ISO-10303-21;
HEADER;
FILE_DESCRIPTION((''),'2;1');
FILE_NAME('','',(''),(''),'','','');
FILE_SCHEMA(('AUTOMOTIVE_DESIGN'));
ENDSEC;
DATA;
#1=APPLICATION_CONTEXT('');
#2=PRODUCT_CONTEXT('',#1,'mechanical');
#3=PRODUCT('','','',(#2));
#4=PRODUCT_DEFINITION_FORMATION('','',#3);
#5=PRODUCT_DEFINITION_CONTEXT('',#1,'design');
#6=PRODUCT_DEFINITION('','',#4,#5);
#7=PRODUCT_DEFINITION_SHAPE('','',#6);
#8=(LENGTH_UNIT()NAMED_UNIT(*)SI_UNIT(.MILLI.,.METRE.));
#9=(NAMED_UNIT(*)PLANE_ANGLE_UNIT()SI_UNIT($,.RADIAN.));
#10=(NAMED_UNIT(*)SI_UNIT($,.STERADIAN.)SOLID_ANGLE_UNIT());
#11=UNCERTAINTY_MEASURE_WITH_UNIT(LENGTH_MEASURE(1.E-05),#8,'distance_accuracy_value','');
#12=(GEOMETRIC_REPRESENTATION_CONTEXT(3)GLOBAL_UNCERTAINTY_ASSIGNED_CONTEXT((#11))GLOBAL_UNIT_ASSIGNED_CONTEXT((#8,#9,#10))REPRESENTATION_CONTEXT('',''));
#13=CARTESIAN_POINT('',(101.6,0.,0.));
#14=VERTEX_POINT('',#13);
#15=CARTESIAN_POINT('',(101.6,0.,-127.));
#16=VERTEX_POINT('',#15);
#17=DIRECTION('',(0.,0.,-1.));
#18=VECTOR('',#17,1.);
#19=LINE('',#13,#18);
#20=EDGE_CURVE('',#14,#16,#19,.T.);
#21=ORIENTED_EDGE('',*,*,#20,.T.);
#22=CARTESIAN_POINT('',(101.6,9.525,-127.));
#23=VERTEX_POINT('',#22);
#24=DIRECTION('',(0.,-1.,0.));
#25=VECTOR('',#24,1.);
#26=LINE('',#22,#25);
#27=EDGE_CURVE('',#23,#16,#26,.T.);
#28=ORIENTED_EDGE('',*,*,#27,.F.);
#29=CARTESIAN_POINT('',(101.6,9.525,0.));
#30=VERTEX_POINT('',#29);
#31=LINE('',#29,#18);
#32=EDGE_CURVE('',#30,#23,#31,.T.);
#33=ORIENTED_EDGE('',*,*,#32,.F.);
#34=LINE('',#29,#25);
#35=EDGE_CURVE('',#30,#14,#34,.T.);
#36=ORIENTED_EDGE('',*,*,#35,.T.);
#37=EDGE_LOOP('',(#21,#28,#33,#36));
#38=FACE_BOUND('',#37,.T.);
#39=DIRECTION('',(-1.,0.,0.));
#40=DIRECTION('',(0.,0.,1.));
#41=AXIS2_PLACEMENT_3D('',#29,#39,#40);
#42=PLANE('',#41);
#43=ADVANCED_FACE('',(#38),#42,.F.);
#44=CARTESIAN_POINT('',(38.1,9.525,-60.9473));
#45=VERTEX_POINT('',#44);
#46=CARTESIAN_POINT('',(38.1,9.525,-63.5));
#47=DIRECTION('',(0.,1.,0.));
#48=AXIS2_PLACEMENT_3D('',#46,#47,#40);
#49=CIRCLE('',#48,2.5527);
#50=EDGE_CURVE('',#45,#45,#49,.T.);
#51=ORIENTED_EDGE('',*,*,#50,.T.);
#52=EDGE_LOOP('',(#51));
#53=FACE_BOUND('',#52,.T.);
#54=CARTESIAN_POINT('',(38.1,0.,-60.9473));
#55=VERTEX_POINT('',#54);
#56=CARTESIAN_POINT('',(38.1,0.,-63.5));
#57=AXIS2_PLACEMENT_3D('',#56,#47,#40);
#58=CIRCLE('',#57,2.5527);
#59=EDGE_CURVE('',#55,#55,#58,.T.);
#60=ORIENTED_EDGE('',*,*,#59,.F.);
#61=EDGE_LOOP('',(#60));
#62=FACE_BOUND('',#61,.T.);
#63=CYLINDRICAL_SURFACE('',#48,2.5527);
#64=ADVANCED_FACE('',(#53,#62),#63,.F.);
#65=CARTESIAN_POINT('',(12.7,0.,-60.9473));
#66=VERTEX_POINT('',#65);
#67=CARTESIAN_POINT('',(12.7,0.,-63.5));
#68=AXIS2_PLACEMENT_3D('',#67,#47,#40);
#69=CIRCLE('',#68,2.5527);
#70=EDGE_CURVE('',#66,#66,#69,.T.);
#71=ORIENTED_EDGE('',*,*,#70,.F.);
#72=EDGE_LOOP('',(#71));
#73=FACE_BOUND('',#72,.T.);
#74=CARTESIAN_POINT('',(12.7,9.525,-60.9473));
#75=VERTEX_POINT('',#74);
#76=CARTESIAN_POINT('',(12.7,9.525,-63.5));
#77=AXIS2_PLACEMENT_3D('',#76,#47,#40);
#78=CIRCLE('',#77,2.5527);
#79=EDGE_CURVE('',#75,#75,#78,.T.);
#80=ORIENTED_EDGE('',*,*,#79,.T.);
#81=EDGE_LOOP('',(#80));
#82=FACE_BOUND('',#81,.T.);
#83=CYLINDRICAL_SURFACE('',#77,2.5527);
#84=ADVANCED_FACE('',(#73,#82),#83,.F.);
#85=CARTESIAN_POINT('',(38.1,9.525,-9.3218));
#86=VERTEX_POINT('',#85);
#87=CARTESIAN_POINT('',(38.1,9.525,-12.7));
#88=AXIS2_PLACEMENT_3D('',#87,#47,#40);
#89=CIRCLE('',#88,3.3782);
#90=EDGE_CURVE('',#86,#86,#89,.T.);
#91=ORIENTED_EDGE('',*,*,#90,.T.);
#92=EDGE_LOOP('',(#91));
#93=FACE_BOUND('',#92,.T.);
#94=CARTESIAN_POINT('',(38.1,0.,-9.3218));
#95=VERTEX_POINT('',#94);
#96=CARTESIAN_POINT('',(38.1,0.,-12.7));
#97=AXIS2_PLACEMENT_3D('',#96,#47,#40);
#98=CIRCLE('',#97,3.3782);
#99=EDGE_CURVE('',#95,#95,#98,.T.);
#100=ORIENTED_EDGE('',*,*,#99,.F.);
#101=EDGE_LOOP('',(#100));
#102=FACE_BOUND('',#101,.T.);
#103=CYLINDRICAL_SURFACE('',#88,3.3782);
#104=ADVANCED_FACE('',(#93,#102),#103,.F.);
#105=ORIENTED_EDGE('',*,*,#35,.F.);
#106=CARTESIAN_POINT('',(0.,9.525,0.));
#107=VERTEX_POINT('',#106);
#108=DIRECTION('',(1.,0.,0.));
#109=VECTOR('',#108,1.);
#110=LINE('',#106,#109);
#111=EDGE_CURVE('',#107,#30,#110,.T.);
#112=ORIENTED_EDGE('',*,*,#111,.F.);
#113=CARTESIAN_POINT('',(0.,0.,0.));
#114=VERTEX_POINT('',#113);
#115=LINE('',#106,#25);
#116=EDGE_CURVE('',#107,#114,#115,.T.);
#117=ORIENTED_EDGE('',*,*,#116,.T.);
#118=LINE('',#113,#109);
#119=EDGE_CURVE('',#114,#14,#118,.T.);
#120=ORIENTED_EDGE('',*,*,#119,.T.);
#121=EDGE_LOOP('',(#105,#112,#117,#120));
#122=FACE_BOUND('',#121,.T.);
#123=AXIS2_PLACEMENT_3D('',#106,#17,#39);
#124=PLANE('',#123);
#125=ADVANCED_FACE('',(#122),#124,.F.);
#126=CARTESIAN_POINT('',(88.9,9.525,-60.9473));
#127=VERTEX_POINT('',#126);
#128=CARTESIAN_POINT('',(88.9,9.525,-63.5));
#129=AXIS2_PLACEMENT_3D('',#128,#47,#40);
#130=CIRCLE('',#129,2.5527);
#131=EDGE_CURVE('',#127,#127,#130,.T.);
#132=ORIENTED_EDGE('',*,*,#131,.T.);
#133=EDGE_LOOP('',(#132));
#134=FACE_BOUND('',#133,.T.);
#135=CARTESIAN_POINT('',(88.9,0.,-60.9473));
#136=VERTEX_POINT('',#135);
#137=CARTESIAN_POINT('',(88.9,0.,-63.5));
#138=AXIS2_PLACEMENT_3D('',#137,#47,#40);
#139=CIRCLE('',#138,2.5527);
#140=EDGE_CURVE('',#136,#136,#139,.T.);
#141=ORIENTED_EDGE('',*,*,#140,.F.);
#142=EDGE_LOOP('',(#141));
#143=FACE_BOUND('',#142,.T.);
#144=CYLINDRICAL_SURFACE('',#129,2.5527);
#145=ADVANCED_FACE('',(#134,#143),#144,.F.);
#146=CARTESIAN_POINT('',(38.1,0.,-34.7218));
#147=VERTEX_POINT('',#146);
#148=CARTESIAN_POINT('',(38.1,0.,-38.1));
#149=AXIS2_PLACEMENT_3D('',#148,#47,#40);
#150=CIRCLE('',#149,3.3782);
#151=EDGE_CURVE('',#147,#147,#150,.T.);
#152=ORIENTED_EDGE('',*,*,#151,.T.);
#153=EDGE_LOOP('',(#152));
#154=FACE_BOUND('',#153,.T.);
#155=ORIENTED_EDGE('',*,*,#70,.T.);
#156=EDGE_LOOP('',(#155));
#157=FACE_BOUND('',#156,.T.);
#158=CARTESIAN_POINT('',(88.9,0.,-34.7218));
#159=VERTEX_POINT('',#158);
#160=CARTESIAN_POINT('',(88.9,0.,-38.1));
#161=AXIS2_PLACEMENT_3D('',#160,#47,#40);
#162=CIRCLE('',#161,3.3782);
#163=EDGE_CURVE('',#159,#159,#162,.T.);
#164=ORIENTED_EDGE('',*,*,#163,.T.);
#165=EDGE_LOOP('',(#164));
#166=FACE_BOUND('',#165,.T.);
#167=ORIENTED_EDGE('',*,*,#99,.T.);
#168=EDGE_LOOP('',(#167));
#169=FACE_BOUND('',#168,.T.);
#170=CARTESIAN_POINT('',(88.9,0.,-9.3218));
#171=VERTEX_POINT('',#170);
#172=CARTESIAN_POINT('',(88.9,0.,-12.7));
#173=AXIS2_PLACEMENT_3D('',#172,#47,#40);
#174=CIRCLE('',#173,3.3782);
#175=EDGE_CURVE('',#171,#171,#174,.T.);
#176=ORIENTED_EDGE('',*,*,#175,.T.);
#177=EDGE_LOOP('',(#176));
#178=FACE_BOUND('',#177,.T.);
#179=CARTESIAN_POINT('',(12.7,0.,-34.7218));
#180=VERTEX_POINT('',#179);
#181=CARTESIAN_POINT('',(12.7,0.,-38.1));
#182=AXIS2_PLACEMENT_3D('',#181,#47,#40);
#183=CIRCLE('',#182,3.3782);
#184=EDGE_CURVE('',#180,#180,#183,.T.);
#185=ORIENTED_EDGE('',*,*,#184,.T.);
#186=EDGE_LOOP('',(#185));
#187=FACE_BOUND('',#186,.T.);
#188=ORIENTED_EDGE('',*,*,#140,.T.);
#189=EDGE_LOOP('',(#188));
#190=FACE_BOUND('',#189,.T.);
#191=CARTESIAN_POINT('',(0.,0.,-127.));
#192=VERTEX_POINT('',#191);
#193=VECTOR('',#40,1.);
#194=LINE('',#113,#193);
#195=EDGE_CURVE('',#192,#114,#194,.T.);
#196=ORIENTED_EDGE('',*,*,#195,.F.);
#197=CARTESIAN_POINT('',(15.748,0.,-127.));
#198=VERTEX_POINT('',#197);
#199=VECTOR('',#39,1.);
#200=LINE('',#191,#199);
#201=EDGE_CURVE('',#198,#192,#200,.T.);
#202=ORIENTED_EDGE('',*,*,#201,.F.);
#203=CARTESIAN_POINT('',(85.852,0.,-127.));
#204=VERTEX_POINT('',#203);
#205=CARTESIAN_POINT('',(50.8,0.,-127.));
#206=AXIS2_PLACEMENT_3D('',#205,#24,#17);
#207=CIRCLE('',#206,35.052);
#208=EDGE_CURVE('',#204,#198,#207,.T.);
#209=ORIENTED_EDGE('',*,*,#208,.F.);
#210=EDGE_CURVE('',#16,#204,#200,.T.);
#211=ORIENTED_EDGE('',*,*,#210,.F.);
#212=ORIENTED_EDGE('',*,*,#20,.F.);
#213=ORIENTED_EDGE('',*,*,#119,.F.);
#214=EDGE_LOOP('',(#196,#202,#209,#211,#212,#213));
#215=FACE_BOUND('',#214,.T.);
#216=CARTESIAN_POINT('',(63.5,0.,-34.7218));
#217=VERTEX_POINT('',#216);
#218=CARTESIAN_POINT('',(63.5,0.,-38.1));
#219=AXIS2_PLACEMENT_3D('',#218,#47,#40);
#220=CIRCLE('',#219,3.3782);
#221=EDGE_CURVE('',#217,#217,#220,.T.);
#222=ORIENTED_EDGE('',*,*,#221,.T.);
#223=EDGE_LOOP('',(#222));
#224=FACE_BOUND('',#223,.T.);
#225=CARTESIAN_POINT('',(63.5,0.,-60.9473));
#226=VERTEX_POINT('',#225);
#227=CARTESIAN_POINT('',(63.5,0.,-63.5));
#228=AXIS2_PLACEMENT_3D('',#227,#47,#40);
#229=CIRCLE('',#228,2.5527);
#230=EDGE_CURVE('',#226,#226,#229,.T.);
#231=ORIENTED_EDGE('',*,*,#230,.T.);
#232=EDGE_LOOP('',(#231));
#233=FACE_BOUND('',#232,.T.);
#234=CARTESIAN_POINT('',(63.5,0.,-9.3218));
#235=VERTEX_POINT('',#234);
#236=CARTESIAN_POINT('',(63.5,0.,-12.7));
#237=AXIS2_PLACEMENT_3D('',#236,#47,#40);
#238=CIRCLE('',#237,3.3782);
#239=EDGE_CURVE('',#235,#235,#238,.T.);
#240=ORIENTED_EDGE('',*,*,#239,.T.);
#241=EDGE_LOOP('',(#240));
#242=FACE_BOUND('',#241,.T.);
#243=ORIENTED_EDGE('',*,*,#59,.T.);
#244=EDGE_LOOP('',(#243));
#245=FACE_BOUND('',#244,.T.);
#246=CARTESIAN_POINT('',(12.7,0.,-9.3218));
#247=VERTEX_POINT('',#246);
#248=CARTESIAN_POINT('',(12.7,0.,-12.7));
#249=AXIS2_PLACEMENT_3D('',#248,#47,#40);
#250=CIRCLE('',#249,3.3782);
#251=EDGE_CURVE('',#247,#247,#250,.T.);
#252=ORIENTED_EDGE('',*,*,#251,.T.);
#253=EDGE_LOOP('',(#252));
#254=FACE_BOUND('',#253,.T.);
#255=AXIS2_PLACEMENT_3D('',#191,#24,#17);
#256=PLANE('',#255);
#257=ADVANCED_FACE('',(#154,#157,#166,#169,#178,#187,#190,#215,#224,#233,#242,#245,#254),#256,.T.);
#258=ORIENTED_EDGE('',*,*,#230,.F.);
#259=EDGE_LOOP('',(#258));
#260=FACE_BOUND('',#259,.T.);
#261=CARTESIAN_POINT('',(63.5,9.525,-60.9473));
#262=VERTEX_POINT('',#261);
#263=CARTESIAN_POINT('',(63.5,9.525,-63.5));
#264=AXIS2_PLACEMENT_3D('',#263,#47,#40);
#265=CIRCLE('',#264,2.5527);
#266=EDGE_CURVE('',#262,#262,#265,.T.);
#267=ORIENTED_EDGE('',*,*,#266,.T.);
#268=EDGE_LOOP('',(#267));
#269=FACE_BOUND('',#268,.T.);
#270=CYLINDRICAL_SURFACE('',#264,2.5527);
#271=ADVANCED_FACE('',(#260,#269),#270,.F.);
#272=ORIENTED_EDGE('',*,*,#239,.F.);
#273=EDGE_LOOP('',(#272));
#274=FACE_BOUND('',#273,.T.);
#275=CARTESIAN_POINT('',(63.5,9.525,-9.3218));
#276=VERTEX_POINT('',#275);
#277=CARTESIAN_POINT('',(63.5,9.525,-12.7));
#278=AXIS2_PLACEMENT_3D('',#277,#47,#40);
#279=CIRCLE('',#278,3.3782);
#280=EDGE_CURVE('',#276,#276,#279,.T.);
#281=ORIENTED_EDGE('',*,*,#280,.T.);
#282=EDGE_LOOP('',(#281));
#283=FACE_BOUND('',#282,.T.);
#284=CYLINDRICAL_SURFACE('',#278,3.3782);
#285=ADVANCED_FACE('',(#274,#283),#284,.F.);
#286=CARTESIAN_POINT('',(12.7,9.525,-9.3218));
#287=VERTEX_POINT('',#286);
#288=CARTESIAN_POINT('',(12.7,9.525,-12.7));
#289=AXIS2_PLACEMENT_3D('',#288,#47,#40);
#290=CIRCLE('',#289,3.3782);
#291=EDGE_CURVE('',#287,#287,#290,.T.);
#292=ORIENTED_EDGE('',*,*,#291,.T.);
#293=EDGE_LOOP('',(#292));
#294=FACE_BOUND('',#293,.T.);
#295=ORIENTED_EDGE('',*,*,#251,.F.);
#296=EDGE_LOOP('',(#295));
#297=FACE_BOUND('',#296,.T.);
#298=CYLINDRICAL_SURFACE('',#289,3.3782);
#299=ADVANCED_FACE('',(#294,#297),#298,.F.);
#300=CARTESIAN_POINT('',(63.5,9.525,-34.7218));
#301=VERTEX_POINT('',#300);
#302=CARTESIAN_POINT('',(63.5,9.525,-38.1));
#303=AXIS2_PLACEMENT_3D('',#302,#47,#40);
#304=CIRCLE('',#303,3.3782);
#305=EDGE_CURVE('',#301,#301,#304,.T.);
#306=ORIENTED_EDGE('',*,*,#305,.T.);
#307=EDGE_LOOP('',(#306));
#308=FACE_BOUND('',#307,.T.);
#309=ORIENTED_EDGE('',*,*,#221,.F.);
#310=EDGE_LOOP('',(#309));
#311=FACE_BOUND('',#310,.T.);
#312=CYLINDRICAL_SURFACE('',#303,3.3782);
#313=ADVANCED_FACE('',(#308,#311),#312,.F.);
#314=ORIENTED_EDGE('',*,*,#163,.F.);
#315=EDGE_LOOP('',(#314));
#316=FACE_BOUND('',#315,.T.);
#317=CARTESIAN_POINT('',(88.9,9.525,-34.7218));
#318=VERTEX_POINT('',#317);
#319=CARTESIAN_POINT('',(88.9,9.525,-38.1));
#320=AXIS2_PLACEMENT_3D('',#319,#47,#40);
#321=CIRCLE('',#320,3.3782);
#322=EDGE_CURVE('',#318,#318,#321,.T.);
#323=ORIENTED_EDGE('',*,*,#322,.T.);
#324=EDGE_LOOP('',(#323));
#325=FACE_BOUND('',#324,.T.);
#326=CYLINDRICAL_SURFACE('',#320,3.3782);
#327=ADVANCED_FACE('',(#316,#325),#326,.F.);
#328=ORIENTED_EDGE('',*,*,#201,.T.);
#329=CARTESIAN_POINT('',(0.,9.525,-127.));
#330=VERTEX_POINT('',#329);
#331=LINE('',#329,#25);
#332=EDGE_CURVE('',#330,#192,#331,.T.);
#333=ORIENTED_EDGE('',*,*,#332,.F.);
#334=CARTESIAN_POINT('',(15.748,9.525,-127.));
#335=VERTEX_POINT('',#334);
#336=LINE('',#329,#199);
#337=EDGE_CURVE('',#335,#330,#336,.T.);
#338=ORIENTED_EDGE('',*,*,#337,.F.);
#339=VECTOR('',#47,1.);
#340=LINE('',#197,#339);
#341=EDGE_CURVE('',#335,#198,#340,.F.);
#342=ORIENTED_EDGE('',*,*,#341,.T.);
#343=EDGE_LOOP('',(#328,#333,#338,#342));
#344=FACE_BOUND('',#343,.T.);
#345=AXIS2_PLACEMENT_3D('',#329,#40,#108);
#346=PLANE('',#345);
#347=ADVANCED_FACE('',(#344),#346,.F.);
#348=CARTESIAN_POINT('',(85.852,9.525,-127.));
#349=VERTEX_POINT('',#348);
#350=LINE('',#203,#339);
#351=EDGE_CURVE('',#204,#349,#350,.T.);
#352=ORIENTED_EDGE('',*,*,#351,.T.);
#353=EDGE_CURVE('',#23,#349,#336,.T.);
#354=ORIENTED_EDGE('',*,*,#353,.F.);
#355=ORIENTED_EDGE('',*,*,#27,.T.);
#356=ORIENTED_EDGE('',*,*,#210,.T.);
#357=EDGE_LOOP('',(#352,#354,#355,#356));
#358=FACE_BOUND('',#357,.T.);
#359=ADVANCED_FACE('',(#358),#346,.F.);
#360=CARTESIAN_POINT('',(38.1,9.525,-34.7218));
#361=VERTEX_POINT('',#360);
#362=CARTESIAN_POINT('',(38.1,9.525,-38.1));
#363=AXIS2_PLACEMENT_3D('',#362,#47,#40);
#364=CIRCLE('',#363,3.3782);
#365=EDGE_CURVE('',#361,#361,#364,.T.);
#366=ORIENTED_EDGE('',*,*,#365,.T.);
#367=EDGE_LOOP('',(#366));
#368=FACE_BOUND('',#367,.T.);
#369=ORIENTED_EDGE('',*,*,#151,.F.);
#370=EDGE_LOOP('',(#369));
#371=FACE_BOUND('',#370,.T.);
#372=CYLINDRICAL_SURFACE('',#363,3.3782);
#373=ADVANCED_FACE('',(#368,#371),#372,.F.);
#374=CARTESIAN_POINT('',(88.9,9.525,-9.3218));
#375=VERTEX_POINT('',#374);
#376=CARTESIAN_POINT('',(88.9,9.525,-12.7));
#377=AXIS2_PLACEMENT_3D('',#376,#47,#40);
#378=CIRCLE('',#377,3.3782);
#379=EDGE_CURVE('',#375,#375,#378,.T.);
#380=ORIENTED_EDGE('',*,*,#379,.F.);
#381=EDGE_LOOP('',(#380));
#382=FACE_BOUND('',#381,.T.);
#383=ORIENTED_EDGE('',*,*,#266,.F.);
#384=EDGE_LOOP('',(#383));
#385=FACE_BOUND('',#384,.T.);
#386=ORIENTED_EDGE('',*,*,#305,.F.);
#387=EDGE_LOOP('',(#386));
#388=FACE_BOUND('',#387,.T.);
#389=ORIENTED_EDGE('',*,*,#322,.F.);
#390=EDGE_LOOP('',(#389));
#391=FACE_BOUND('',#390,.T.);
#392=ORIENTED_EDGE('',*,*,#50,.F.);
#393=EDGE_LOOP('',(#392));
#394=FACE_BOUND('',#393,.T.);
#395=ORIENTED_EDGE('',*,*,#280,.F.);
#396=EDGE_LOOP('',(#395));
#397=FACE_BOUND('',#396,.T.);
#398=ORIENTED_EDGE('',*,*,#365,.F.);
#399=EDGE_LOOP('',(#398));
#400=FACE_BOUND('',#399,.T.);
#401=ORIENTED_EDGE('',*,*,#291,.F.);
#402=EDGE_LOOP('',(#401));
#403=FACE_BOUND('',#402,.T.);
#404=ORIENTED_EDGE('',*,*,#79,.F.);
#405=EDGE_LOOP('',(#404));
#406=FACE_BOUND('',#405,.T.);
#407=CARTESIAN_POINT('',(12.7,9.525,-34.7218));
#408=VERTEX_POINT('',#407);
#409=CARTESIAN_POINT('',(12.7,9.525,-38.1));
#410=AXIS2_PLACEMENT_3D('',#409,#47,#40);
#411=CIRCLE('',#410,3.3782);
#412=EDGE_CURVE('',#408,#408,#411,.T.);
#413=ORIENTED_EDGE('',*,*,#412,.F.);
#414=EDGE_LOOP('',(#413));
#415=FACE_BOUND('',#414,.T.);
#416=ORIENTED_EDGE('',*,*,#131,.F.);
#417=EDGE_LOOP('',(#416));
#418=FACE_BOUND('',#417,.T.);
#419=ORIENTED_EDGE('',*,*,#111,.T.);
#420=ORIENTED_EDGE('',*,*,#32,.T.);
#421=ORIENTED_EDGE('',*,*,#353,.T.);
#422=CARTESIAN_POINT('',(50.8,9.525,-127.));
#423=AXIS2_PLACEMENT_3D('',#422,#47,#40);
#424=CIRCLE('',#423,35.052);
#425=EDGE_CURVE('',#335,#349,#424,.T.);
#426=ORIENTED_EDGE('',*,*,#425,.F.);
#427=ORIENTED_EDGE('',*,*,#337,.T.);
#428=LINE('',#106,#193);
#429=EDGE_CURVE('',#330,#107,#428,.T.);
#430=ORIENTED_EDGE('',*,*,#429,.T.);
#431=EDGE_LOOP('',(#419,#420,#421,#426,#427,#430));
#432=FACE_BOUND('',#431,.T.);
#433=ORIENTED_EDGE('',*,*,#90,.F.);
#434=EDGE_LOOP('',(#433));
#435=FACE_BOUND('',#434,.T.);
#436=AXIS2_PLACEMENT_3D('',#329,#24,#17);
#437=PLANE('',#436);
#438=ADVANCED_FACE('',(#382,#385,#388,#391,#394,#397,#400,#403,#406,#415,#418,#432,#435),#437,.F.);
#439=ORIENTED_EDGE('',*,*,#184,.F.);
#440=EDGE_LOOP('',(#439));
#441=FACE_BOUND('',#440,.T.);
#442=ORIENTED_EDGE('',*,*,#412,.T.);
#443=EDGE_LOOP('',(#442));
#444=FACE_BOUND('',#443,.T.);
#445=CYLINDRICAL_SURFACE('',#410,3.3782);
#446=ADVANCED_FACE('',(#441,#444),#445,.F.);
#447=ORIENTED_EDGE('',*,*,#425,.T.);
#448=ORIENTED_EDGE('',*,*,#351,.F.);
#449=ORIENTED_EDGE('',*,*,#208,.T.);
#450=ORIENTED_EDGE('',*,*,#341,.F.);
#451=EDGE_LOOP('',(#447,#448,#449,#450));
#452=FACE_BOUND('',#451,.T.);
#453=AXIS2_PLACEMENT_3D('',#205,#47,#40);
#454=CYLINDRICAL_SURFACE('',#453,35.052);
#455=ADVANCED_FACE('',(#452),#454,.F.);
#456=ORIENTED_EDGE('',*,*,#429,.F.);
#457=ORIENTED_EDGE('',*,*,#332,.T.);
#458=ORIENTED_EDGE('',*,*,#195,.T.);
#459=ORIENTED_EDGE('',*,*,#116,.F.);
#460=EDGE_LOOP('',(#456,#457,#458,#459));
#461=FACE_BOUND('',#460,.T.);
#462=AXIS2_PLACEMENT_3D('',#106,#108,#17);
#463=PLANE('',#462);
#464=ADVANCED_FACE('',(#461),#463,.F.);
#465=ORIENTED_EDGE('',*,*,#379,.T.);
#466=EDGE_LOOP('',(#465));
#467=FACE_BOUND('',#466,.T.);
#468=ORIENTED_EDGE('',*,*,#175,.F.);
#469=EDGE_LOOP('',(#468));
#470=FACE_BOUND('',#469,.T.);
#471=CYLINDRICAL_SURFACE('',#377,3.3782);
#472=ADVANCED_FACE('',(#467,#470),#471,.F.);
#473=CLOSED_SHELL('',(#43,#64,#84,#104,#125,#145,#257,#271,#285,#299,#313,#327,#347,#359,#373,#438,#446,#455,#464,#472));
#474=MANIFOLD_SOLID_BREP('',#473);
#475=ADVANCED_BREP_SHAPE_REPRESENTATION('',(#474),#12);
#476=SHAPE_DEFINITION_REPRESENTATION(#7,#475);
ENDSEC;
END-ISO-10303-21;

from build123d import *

# Parameters (mm, degrees)
SKETCH1_W                   = 101.6
SKETCH1_H                   = 127
BOSS_EXTRUDE1_DEPTH         = 9.525
SKETCH2_R                   = 35.052
CUT_EXTRUDE1_DEPTH          = 10.525
F_1_4_CLEARANCE_HOLE1_D     = 6.7564
LPATTERN1_COUNT             = 2
LPATTERN1_PITCH             = 25.4
LPATTERN1_COUNT_DIR2        = 4
LPATTERN1_PITCH_DIR2        = 25.4
TAP_DRILL_FOR_1_4_20_TAP1_D = 5.1054
LPATTERN2_COUNT             = 4
LPATTERN2_PITCH             = 25.4


with BuildPart() as part:
    # Sketch1 → Boss-Extrude1 (new body)
    with BuildSketch(Plane(origin=(0, 0, 0), x_dir=(1, 0, 0), z_dir=(0, 1, 0))):
        with Locations((50.8, 63.5)):
            Rectangle(SKETCH1_W, SKETCH1_H)
    extrude(amount=BOSS_EXTRUDE1_DEPTH)

    # Sketch2 → Cut-Extrude1 (cut, through all)
    with BuildSketch(Plane(origin=(0, 9.525, 0), x_dir=(1, 0, 0), z_dir=(0, 1, 0))):
        with Locations((50.8, 127)):
            Circle(SKETCH2_R)
    extrude(amount=-CUT_EXTRUDE1_DEPTH, mode=Mode.SUBTRACT)

    # 1/4 Clearance Hole1 (through all)
    with Locations(Plane(origin=(0, 9.525, 0), x_dir=(-1, 0, 0), z_dir=(0, 1, 0))):
        with Locations((-12.7, -12.7)):
            f_1_4_clearance_hole1 = Hole(F_1_4_CLEARANCE_HOLE1_D / 2)

    # LPattern1: 1_4 Clearance Hole1 2 × 4
    with Locations(*[(j * LPATTERN1_PITCH_DIR2, 0, -i * LPATTERN1_PITCH) for i in range(LPATTERN1_COUNT) for j in range(LPATTERN1_COUNT_DIR2) if (i, j) != (0, 0)]):
        add(f_1_4_clearance_hole1, mode=Mode.SUBTRACT)

    # Tap Drill for 1/4-20 Tap1 (through all)
    with Locations(Plane(origin=(0, 9.525, 0), x_dir=(-1, 0, 0), z_dir=(0, 1, 0))):
        with Locations((-12.7, -63.5)):
            tap_drill_for_1_4_20_tap1 = Hole(TAP_DRILL_FOR_1_4_20_TAP1_D / 2)

    # LPattern2: Tap Drill for 1/4-20 Tap1 ×4
    with Locations(*[(i * LPATTERN2_PITCH, 0, 0) for i in range(1, LPATTERN2_COUNT)]):
        add(tap_drill_for_1_4_20_tap1, mode=Mode.SUBTRACT)


solid = part.part
